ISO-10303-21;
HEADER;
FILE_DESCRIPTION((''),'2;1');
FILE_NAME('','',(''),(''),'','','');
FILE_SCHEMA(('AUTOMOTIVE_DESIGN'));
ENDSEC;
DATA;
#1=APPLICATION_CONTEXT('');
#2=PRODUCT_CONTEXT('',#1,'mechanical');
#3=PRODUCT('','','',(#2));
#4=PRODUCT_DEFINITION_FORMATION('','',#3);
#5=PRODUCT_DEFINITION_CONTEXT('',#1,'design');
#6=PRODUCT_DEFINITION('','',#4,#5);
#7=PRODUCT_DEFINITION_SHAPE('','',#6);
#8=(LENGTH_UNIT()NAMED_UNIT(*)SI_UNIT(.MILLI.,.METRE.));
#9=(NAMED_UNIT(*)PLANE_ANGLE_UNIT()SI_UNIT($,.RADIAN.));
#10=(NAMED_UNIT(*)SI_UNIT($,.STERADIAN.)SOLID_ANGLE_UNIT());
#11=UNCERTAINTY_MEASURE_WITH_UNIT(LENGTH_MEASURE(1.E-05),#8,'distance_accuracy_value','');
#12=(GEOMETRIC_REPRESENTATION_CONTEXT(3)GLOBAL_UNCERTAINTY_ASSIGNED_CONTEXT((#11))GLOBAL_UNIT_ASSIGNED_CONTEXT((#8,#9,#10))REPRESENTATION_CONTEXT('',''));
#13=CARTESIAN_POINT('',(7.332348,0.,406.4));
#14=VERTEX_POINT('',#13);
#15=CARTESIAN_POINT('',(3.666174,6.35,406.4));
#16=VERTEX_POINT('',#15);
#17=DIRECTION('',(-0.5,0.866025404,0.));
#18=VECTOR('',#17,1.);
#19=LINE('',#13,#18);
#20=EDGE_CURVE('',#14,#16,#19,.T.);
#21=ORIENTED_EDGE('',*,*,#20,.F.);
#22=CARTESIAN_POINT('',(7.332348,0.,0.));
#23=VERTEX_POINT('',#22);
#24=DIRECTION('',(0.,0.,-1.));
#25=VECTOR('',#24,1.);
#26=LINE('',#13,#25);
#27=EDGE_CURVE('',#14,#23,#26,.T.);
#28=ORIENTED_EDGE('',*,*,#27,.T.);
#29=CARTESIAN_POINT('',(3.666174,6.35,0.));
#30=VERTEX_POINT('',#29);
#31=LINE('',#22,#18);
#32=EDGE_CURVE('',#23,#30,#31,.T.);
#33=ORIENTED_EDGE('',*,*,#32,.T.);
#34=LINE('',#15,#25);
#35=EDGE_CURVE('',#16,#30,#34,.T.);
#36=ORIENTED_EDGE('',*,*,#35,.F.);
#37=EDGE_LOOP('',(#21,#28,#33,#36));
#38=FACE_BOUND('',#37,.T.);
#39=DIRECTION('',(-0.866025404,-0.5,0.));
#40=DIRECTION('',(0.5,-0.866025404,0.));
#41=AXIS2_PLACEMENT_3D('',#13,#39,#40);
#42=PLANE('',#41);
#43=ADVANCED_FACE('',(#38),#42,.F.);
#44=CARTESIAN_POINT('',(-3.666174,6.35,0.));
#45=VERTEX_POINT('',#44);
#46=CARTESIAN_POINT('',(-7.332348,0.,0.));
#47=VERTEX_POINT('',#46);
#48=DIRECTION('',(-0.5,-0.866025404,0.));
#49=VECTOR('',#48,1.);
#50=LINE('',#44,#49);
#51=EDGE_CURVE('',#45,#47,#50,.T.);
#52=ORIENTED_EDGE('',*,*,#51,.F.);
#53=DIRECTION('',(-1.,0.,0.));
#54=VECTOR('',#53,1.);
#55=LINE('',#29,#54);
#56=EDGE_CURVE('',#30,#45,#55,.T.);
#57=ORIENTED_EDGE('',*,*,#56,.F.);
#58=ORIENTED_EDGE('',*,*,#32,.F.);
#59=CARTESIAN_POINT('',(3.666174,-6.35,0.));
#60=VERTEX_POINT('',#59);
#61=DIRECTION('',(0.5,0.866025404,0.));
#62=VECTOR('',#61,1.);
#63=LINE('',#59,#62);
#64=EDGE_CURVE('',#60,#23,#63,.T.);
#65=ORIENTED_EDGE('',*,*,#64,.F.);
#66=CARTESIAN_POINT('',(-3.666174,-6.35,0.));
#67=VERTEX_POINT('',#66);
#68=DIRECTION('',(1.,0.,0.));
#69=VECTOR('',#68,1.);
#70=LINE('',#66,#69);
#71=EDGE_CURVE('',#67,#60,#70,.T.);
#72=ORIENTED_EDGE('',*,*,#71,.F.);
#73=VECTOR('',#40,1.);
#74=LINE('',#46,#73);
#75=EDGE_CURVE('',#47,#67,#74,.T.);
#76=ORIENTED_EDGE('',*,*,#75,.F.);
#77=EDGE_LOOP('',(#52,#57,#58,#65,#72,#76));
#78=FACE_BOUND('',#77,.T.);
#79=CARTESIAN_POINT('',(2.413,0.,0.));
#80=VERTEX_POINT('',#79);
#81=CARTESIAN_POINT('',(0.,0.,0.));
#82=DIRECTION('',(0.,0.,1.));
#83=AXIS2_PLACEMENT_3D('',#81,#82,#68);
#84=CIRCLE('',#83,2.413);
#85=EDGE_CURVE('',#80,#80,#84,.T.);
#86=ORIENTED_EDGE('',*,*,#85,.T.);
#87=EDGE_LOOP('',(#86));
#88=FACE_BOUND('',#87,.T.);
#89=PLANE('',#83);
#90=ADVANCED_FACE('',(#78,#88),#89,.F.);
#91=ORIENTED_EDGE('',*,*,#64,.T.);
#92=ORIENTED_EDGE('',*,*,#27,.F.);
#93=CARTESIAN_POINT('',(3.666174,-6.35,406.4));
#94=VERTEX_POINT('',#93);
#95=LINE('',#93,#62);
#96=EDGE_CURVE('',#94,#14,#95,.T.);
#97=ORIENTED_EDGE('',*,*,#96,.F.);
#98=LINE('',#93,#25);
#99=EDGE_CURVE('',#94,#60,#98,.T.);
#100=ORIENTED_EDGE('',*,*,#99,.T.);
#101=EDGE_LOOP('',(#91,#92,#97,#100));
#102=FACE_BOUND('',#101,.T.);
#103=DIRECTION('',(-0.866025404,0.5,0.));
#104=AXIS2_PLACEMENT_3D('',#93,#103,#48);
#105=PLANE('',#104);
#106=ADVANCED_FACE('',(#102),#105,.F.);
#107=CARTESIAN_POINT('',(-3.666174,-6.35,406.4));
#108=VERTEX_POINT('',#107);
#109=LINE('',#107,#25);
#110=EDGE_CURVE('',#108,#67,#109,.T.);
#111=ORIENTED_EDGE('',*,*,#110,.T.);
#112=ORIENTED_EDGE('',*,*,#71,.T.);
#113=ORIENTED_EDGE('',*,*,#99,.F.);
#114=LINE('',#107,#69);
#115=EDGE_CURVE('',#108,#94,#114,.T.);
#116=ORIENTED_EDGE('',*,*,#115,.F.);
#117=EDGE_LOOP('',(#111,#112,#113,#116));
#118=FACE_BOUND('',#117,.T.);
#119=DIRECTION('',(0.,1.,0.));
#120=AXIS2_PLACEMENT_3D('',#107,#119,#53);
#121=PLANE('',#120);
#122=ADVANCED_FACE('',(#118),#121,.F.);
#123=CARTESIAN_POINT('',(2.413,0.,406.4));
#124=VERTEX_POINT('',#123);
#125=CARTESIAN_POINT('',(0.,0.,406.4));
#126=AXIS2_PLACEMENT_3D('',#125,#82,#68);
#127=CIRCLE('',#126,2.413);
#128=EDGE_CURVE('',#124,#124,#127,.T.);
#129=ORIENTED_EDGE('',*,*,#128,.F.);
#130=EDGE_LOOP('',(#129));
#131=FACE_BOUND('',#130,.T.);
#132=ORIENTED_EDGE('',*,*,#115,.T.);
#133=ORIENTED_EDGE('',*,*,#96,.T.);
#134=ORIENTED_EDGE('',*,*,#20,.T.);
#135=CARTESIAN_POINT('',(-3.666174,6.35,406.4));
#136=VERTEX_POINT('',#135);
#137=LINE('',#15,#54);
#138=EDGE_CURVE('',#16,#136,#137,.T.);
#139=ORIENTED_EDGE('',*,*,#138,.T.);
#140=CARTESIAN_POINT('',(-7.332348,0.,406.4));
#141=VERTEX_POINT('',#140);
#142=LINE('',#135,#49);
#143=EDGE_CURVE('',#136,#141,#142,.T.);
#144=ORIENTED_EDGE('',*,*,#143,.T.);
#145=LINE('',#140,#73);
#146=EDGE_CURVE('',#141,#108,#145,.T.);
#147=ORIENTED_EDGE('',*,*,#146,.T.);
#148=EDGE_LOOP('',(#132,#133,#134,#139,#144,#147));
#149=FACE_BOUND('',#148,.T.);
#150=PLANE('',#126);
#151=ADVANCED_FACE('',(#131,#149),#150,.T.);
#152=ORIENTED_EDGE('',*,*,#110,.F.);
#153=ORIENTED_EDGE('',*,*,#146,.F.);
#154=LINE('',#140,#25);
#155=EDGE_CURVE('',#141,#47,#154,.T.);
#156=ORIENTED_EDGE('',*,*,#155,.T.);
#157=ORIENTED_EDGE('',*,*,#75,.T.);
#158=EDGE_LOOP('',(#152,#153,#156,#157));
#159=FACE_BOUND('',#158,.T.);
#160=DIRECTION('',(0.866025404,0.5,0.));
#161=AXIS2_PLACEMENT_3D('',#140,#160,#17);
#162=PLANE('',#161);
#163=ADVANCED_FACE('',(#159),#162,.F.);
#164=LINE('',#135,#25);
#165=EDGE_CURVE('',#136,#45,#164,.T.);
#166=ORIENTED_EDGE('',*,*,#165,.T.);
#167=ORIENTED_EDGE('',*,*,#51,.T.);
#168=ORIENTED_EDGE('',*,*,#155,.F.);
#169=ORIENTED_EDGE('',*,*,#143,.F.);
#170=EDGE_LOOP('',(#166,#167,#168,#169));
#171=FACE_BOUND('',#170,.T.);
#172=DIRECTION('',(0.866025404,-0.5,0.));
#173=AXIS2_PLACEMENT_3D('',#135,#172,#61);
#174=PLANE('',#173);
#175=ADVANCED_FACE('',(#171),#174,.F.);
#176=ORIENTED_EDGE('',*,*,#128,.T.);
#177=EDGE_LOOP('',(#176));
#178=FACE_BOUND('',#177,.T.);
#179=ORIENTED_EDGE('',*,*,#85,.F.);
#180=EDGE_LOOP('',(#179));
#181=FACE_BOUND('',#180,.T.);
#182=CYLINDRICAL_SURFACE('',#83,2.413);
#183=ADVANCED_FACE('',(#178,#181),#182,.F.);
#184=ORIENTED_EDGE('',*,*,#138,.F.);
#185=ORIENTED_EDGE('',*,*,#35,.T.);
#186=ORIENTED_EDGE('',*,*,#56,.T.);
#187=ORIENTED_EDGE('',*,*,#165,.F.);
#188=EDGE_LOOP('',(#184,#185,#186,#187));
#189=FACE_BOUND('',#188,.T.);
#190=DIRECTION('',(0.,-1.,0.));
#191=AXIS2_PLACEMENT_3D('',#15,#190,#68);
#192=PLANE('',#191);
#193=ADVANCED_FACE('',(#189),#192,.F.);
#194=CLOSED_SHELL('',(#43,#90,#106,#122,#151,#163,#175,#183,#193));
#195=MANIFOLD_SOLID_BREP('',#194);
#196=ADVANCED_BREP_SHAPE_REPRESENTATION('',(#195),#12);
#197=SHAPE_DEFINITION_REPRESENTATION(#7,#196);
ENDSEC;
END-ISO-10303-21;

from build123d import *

# Parameters (mm, degrees)
BOSS_EXTRUDE1_DEPTH     = 406.4
CUT_EXTRUDE1_DEPTH      = 407.515738728
CUT_EXTRUDE1_DEPTH_BACK = 407.515738728
SKETCH2_R               = 2.413


with BuildPart() as part:
    # Sketch1 → Boss-Extrude1 (new body)
    with BuildSketch(Plane.XY):
        Polygon((7.332348419, 0), (3.666174209, 6.35), (-3.666174209, 6.35), (-7.332348419, 0), (-3.666174209, -6.35), (3.666174209, -6.35), align=None)
    extrude(amount=BOSS_EXTRUDE1_DEPTH)

    # Sketch2 → Cut-Extrude1 (cut, two sides: drawn at the far end of the back side and taken through both)
    with BuildSketch(Plane.XY.offset(406.4).offset(-CUT_EXTRUDE1_DEPTH_BACK)):
        Circle(SKETCH2_R)
    extrude(amount=CUT_EXTRUDE1_DEPTH + CUT_EXTRUDE1_DEPTH_BACK, mode=Mode.SUBTRACT)


solid = part.part
